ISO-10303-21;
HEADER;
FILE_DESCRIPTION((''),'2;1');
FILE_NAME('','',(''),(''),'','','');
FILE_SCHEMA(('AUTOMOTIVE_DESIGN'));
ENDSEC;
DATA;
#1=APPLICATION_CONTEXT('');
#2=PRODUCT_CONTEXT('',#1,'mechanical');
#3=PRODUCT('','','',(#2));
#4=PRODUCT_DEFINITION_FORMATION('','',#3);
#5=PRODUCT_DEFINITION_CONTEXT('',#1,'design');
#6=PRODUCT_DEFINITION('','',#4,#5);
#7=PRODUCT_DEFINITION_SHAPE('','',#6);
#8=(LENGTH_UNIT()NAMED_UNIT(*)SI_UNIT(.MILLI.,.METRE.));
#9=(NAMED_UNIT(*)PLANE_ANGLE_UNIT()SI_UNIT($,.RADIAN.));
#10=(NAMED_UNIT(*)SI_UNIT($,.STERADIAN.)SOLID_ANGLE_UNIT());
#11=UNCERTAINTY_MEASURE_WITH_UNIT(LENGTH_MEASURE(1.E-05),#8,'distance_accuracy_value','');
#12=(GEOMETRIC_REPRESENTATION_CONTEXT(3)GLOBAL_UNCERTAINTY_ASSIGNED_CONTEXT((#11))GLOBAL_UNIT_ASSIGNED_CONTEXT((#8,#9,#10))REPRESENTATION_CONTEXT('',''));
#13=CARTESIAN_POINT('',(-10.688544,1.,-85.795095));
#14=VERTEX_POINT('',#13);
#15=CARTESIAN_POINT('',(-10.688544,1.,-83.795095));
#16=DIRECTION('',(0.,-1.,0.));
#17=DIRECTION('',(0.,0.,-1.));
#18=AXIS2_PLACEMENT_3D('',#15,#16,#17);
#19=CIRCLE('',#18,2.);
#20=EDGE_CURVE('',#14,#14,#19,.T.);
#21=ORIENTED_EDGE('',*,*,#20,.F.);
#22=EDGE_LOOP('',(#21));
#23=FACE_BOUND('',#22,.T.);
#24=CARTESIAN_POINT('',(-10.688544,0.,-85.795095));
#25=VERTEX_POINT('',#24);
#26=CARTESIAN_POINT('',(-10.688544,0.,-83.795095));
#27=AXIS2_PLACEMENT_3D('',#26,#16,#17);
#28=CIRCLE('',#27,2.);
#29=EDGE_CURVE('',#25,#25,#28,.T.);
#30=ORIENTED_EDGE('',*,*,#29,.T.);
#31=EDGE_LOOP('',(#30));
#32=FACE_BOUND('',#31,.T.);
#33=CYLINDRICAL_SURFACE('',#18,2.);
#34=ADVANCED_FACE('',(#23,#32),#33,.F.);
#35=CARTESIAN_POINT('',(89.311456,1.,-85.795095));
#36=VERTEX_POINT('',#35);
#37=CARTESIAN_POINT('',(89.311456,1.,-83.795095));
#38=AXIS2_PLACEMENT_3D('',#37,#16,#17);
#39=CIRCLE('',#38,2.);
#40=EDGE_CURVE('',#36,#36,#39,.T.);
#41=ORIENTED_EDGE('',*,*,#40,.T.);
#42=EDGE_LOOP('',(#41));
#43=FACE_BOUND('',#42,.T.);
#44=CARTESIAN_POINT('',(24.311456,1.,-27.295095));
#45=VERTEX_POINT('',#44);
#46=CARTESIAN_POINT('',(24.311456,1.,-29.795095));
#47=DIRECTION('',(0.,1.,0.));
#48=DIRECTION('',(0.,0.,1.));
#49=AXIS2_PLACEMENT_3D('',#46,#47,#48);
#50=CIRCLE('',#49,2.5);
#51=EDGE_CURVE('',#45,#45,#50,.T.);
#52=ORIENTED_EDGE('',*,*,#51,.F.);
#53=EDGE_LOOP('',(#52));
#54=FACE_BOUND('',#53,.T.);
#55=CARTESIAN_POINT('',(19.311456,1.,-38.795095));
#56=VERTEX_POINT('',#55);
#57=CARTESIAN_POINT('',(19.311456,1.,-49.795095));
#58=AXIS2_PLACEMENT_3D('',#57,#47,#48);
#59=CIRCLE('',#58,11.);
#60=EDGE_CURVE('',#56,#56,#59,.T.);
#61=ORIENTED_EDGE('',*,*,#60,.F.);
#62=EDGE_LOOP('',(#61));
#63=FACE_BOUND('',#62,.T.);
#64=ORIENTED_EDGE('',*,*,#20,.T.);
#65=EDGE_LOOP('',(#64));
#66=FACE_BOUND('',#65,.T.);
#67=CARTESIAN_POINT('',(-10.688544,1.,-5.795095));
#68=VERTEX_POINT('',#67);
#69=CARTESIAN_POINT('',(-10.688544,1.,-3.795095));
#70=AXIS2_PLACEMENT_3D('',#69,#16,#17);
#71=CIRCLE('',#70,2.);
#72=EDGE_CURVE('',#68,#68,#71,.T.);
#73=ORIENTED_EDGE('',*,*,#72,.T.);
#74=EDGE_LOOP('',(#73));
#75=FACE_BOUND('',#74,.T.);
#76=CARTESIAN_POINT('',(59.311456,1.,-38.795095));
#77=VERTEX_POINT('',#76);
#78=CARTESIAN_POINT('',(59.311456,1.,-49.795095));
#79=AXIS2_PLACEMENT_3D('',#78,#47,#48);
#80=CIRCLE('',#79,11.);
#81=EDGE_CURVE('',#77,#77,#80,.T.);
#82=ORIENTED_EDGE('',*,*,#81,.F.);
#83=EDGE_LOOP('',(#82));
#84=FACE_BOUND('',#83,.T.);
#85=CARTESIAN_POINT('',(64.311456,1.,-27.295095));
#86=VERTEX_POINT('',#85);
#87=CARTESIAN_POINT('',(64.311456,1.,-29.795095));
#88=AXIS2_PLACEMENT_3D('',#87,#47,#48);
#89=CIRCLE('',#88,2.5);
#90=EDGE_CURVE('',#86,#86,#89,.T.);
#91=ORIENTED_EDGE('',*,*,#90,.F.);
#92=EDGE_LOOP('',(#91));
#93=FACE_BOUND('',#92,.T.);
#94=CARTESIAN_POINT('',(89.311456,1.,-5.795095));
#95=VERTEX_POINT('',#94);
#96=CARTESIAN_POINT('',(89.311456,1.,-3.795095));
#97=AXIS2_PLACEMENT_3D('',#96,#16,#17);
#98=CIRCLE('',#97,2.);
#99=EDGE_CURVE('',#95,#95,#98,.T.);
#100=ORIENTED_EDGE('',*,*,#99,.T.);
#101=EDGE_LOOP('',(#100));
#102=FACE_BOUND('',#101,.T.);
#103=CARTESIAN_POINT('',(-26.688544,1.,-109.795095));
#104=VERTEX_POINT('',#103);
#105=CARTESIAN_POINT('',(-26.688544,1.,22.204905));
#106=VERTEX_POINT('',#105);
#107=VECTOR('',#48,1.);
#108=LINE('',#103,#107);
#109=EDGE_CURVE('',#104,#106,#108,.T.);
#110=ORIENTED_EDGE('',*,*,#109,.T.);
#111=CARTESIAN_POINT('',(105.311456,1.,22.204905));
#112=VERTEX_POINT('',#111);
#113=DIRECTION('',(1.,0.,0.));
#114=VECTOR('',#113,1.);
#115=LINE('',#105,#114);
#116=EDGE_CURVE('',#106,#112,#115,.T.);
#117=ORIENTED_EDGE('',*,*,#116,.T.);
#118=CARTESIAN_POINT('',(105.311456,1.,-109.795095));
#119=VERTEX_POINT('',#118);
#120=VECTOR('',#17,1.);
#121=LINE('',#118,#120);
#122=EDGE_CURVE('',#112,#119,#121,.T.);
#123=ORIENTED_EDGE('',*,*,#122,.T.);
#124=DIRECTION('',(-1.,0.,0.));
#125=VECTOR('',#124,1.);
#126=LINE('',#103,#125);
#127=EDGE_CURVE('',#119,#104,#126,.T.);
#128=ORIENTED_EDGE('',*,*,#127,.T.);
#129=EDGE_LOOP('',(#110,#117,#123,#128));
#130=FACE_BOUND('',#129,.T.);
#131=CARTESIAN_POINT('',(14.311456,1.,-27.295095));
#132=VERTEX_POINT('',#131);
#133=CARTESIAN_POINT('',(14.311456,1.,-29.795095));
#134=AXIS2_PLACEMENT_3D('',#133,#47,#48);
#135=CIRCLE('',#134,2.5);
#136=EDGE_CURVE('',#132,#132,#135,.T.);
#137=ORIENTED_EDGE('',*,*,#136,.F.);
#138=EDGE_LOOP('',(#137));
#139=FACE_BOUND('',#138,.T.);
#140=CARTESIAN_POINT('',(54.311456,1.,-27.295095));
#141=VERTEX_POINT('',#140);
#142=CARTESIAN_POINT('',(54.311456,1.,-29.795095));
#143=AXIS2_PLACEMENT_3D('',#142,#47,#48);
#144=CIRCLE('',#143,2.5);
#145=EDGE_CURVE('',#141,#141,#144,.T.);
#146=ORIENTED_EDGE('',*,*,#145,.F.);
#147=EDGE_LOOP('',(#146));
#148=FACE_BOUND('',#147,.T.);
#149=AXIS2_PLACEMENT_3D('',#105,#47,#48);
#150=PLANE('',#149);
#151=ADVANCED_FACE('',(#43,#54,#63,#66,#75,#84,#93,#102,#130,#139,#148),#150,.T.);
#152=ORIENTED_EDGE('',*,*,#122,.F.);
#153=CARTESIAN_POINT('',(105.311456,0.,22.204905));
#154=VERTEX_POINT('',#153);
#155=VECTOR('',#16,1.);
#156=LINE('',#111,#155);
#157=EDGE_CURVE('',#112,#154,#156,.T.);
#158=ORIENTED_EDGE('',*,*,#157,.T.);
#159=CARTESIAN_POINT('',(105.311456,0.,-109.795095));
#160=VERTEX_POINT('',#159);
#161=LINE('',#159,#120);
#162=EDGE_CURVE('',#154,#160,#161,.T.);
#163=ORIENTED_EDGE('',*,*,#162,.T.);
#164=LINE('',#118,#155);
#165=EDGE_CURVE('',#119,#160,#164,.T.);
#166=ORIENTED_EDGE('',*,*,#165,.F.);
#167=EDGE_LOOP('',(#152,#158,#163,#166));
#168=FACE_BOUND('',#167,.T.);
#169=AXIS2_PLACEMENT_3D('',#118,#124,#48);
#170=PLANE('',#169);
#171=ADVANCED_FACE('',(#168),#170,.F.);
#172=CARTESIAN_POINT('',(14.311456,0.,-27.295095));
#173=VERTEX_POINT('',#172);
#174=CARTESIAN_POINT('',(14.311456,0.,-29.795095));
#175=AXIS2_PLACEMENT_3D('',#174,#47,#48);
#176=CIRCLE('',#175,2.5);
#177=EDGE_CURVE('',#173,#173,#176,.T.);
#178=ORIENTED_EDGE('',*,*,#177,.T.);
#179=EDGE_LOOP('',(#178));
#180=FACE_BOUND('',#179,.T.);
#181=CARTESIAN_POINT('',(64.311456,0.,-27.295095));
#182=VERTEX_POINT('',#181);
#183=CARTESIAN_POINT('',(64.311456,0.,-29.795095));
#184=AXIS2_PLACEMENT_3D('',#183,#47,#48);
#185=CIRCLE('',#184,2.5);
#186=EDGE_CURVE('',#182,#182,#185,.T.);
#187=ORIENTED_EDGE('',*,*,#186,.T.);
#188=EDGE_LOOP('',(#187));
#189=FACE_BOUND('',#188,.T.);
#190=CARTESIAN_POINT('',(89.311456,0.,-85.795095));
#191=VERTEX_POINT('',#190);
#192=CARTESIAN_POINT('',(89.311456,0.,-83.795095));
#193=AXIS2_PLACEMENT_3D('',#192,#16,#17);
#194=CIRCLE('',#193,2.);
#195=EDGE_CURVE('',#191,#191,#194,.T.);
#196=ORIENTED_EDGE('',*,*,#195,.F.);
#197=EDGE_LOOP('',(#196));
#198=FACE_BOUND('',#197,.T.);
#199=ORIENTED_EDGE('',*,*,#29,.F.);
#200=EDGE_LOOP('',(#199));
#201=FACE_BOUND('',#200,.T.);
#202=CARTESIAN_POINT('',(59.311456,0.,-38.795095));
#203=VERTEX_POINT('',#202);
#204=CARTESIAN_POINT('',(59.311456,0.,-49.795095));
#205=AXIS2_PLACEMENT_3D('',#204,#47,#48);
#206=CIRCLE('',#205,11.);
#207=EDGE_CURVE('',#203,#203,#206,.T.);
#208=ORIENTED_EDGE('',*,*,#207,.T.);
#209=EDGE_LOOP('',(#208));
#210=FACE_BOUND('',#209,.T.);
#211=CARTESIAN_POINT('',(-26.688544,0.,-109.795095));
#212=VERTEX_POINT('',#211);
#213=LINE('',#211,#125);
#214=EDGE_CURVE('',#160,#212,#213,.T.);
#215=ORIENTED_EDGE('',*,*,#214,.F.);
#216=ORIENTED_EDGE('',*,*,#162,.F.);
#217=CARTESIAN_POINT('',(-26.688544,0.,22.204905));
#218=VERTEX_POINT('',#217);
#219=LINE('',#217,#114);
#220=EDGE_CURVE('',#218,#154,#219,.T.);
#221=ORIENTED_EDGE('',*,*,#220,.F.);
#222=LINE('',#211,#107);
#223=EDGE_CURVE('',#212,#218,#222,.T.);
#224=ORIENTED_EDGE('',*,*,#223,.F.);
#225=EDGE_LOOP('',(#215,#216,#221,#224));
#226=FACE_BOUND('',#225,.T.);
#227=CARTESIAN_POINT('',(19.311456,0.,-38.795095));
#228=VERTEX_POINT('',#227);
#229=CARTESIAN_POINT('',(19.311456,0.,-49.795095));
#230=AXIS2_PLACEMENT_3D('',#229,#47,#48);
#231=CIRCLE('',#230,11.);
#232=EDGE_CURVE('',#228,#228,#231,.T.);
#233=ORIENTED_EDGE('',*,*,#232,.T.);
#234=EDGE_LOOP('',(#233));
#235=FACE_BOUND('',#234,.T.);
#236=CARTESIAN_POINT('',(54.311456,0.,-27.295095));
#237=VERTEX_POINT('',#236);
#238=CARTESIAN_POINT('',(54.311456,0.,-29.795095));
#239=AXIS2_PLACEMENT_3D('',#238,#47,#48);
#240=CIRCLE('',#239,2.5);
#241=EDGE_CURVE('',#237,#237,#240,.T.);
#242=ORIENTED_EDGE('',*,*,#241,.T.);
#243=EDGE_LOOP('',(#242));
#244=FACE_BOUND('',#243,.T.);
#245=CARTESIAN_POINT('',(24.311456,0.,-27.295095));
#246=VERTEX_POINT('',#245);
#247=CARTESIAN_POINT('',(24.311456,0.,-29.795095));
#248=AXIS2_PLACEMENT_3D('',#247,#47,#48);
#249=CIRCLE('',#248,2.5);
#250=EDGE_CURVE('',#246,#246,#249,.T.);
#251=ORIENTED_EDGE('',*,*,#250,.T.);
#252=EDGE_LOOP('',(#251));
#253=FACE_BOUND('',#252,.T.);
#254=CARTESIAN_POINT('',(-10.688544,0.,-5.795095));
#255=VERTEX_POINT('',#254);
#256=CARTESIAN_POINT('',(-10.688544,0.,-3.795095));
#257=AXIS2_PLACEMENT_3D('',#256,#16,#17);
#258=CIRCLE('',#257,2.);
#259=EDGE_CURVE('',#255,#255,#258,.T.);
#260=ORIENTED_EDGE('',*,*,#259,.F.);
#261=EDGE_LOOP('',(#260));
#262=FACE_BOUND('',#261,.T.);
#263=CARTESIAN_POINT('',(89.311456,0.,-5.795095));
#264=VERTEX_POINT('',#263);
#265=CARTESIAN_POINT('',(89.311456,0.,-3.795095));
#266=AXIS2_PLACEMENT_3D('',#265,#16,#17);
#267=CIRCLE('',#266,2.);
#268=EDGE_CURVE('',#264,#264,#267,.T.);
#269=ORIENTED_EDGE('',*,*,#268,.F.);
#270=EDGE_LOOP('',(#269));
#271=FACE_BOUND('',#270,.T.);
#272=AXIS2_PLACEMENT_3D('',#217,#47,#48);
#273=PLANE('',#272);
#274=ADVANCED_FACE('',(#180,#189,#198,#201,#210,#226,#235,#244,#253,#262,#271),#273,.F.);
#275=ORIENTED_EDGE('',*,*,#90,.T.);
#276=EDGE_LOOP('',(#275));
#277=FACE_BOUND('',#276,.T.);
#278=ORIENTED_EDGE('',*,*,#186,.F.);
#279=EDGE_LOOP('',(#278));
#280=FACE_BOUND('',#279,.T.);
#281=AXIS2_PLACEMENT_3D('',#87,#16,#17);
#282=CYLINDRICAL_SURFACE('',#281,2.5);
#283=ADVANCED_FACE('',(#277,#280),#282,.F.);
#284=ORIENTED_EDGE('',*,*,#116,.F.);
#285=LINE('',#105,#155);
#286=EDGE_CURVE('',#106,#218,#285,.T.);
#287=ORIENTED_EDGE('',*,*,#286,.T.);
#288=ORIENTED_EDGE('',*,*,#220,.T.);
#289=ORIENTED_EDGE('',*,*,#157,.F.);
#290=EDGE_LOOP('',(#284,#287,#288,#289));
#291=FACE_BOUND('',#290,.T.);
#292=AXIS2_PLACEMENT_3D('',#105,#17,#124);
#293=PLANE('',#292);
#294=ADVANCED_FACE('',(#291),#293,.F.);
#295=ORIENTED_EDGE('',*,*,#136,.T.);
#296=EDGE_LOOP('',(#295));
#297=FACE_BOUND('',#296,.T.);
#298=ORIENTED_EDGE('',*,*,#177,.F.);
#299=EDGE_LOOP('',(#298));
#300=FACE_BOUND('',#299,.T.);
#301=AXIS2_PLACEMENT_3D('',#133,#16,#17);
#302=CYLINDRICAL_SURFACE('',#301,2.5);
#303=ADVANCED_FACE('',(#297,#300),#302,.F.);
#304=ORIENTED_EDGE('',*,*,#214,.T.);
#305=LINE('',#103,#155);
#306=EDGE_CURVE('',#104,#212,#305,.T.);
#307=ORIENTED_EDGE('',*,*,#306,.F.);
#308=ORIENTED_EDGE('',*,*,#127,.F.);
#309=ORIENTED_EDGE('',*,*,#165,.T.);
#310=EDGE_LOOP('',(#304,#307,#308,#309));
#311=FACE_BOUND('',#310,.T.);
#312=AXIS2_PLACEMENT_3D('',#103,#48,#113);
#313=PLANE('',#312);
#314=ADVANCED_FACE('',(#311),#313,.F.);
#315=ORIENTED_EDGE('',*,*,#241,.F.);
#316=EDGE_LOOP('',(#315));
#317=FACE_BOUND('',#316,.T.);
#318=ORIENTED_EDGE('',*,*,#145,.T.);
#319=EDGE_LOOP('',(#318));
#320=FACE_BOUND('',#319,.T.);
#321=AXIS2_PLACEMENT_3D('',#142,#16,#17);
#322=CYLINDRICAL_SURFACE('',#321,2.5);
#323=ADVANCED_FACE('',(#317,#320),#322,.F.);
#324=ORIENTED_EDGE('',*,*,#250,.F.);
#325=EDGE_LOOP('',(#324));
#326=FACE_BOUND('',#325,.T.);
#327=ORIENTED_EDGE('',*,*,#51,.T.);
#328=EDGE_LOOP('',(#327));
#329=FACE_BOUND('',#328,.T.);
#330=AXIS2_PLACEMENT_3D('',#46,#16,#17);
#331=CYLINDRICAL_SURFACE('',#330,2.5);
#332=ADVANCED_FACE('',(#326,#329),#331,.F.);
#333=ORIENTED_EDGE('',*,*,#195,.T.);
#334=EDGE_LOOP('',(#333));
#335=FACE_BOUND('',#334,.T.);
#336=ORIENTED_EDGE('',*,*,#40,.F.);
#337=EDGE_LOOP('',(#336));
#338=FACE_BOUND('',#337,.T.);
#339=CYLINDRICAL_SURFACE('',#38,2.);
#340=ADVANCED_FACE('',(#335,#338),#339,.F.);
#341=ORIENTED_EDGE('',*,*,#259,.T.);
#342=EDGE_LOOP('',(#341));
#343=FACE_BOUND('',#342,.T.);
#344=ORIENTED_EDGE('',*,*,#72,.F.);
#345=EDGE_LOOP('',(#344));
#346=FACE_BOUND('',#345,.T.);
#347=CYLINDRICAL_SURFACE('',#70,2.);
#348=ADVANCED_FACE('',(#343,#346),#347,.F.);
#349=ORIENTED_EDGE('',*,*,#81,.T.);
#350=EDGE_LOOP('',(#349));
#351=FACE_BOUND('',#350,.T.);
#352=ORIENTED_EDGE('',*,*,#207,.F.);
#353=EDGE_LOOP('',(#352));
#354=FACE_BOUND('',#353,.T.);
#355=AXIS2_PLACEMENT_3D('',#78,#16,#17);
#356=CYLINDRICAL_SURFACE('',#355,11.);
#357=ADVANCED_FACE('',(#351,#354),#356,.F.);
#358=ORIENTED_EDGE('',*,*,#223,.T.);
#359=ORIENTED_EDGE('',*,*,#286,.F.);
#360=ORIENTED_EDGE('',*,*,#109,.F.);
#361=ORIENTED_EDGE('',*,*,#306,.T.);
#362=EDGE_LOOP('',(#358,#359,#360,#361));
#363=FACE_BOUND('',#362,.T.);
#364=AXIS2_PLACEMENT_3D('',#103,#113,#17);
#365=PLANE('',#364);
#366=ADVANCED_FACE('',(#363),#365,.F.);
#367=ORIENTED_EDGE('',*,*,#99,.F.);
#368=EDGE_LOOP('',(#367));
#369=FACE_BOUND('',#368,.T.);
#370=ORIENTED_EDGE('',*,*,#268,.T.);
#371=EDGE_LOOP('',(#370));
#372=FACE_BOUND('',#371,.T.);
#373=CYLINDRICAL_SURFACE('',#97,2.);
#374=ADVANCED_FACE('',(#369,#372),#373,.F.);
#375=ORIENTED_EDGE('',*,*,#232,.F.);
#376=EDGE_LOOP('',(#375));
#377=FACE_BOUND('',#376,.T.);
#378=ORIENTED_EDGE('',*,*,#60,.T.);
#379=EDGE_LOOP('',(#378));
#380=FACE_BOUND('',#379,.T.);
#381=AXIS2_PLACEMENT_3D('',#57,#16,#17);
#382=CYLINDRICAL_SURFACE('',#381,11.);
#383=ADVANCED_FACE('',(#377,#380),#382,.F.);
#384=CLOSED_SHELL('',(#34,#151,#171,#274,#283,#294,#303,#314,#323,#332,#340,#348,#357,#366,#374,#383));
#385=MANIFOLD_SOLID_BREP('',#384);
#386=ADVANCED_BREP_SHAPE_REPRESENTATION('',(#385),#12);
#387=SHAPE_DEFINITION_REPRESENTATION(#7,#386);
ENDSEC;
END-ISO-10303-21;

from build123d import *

# Parameters (mm, degrees)
SKETCH1_W           = 132
SKETCH1_H           = 132
SKETCH1_R           = 2.5
SKETCH1_R_2         = 11
BOSS_EXTRUDE1_DEPTH = 1
SKETCH2_R           = 2
CUT_EXTRUDE1_DEPTH  = 2


with BuildPart() as part:
    # Sketch1 → Boss-Extrude1 (new body)
    with BuildSketch(Plane(origin=(0, 0, 0), x_dir=(1, 0, 0), z_dir=(0, 1, 0))):
        with Locations((39.311456102, 43.795094937)):
            Rectangle(SKETCH1_W, SKETCH1_H)
        with Locations((14.311456102, 29.795094937)):
            Circle(SKETCH1_R, mode=Mode.SUBTRACT)
        with Locations((24.311456102, 29.795094937)):
            Circle(SKETCH1_R, mode=Mode.SUBTRACT)
        with Locations((54.311456102, 29.795094937)):
            Circle(SKETCH1_R, mode=Mode.SUBTRACT)
        with Locations((64.311456102, 29.795094937)):
            Circle(SKETCH1_R, mode=Mode.SUBTRACT)
        with Locations((19.311456102, 49.795094937)):
            Circle(SKETCH1_R_2, mode=Mode.SUBTRACT)
        with Locations((59.311456102, 49.795094937)):
            Circle(SKETCH1_R_2, mode=Mode.SUBTRACT)
    extrude(amount=BOSS_EXTRUDE1_DEPTH)

    # Sketch2 → Cut-Extrude1 (cut, through all)
    with BuildSketch(Plane.XZ):
        with Locations((-10.688543898, -3.795094937)):
            Circle(SKETCH2_R)
        with Locations((89.311456102, -3.795094937)):
            Circle(SKETCH2_R)
        with Locations((89.311456102, -83.795094937)):
            Circle(SKETCH2_R)
        with Locations((-10.688543898, -83.795094937)):
            Circle(SKETCH2_R)
    extrude(amount=-CUT_EXTRUDE1_DEPTH, mode=Mode.SUBTRACT)


solid = part.part
